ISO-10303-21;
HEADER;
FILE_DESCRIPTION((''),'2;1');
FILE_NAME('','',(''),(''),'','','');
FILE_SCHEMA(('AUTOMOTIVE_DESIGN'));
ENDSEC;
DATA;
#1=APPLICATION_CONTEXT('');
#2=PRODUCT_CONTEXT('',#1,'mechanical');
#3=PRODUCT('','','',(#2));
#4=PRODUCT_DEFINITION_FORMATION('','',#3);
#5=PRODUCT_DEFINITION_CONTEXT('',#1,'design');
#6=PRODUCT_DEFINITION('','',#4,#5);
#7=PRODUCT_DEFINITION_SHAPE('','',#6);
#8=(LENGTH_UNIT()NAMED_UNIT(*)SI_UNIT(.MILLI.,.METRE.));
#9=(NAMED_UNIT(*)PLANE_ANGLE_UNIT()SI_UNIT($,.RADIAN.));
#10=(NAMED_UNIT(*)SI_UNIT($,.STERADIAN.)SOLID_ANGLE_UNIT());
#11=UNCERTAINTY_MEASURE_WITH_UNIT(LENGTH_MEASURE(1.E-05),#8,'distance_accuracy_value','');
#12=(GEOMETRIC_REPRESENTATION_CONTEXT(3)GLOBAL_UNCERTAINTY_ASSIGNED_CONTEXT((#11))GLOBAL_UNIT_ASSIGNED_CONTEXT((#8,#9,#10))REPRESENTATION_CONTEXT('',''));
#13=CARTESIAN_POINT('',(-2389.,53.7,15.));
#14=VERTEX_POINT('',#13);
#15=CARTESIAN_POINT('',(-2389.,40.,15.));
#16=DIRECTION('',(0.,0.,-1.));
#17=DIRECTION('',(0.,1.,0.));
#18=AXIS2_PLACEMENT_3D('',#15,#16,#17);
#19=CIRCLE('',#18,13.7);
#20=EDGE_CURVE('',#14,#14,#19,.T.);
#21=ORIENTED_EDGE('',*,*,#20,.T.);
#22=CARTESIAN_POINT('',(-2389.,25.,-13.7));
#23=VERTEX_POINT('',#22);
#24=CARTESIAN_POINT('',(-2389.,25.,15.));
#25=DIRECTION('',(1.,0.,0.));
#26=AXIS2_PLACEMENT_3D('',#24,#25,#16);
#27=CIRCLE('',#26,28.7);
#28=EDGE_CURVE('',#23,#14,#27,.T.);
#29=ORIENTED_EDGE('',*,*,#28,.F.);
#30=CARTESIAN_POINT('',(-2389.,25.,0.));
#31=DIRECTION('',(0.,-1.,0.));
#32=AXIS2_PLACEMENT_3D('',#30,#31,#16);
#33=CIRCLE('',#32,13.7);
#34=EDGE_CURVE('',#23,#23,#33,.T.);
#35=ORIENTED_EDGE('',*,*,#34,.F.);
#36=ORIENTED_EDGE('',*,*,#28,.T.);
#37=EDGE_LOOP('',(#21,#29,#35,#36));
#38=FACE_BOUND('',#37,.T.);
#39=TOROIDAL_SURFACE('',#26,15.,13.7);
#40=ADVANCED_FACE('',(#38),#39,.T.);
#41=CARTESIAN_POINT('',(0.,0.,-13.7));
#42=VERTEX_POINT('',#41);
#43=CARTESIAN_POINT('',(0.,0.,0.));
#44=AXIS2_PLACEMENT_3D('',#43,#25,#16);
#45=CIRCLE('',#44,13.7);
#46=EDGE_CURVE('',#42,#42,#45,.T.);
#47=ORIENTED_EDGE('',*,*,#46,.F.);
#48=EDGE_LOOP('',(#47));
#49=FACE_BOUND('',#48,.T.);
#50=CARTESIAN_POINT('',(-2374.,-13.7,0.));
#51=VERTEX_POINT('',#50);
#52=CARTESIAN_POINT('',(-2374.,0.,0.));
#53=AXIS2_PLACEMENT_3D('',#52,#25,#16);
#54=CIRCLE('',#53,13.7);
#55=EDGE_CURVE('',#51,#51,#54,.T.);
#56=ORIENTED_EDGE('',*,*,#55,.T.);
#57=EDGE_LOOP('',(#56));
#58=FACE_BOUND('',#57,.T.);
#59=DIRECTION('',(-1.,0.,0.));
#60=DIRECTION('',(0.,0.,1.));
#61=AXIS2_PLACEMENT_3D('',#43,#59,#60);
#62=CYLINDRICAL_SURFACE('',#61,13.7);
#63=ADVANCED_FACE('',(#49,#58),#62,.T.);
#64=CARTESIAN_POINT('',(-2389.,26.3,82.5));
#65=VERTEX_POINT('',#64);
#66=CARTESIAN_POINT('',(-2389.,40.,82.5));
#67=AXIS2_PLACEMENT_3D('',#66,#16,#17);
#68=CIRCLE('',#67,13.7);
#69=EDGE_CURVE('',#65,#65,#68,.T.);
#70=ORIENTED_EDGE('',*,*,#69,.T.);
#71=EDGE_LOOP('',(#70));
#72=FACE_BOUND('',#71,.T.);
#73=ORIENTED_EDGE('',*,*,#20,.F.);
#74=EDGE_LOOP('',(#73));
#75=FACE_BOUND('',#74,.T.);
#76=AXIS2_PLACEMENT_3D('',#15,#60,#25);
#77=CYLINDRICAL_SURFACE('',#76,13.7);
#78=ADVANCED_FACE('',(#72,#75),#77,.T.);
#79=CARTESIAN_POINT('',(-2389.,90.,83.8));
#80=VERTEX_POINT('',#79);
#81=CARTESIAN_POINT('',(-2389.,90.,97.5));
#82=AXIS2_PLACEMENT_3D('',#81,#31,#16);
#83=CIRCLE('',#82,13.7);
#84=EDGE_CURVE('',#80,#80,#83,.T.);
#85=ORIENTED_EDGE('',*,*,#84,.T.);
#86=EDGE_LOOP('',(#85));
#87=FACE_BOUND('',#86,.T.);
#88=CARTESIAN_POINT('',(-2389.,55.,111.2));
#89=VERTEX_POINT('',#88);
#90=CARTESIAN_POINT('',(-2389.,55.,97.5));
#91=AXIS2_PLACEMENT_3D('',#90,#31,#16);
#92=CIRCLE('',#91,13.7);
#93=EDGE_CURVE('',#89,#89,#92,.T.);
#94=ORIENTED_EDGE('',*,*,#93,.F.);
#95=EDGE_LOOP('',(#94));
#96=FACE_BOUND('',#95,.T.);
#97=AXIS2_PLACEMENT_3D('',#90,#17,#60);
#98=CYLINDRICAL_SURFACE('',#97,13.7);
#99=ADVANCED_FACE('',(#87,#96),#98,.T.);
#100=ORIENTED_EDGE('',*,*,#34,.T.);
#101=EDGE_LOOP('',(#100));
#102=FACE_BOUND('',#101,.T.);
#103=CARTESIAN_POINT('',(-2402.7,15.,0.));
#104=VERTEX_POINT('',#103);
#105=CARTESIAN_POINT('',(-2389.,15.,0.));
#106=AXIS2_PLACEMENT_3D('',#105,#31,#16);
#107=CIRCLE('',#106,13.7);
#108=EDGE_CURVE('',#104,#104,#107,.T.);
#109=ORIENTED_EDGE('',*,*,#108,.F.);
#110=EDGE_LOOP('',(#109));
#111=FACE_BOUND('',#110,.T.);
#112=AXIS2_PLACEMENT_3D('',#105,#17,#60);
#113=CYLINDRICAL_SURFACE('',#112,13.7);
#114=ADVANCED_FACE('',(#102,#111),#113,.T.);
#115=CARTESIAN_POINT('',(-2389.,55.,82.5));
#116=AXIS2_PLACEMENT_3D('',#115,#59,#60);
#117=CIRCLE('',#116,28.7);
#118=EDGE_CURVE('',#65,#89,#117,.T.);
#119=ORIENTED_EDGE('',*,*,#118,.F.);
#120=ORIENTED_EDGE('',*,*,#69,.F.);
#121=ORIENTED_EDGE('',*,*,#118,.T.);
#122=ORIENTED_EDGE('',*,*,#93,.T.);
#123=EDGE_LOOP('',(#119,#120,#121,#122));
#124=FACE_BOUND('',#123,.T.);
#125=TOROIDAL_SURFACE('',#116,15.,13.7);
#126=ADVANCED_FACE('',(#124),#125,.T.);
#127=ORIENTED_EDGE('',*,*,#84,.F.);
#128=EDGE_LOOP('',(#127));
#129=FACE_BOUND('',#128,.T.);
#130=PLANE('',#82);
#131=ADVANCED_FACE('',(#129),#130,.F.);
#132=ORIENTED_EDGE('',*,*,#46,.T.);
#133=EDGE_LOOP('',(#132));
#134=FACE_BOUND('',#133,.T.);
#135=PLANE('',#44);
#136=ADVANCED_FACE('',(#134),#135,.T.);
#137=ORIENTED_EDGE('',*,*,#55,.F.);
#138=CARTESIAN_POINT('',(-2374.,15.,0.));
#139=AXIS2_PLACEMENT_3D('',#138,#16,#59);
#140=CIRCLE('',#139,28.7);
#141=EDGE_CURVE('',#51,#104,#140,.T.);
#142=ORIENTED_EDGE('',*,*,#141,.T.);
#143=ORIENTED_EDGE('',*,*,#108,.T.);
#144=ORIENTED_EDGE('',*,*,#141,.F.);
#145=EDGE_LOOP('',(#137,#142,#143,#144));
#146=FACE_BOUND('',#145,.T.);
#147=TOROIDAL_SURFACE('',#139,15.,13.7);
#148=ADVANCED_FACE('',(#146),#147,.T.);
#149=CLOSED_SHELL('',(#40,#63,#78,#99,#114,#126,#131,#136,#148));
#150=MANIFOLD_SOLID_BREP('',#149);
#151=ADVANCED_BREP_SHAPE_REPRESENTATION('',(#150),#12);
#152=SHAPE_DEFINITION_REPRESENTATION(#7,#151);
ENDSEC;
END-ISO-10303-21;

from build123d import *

# Parameters (mm, degrees)
CROQUIS1_R = 13.7


with BuildPart() as part:
    # Barrer1: sweep along a curve in space
    with BuildLine() as barrer1_path:
        Line((0, 0, 0), (-2374, 0, 0))
        ThreePointArc((-2374, 0, 0), (-2384.606601718, 4.393398282, 0), (-2389, 15, 0))
        Line((-2389, 15, 0), (-2389, 25, 0))
        ThreePointArc((-2389, 25, 0), (-2389, 35.606601718, 4.393398282), (-2389, 40, 15))
        Line((-2389, 40, 15), (-2389, 40, 82.5))
        ThreePointArc((-2389, 40, 82.5), (-2389, 44.393398282, 93.106601718), (-2389, 55, 97.5))
        Line((-2389, 55, 97.5), (-2389, 90, 97.5))
    # Croquis1 → Barrer1 (sweep)
    with BuildSketch(Plane(origin=(0, 0, 0), x_dir=(0, 0, -1), z_dir=(1, 0, 0))):
        Circle(CROQUIS1_R)
    sweep(path=barrer1_path.line)


solid = part.part
